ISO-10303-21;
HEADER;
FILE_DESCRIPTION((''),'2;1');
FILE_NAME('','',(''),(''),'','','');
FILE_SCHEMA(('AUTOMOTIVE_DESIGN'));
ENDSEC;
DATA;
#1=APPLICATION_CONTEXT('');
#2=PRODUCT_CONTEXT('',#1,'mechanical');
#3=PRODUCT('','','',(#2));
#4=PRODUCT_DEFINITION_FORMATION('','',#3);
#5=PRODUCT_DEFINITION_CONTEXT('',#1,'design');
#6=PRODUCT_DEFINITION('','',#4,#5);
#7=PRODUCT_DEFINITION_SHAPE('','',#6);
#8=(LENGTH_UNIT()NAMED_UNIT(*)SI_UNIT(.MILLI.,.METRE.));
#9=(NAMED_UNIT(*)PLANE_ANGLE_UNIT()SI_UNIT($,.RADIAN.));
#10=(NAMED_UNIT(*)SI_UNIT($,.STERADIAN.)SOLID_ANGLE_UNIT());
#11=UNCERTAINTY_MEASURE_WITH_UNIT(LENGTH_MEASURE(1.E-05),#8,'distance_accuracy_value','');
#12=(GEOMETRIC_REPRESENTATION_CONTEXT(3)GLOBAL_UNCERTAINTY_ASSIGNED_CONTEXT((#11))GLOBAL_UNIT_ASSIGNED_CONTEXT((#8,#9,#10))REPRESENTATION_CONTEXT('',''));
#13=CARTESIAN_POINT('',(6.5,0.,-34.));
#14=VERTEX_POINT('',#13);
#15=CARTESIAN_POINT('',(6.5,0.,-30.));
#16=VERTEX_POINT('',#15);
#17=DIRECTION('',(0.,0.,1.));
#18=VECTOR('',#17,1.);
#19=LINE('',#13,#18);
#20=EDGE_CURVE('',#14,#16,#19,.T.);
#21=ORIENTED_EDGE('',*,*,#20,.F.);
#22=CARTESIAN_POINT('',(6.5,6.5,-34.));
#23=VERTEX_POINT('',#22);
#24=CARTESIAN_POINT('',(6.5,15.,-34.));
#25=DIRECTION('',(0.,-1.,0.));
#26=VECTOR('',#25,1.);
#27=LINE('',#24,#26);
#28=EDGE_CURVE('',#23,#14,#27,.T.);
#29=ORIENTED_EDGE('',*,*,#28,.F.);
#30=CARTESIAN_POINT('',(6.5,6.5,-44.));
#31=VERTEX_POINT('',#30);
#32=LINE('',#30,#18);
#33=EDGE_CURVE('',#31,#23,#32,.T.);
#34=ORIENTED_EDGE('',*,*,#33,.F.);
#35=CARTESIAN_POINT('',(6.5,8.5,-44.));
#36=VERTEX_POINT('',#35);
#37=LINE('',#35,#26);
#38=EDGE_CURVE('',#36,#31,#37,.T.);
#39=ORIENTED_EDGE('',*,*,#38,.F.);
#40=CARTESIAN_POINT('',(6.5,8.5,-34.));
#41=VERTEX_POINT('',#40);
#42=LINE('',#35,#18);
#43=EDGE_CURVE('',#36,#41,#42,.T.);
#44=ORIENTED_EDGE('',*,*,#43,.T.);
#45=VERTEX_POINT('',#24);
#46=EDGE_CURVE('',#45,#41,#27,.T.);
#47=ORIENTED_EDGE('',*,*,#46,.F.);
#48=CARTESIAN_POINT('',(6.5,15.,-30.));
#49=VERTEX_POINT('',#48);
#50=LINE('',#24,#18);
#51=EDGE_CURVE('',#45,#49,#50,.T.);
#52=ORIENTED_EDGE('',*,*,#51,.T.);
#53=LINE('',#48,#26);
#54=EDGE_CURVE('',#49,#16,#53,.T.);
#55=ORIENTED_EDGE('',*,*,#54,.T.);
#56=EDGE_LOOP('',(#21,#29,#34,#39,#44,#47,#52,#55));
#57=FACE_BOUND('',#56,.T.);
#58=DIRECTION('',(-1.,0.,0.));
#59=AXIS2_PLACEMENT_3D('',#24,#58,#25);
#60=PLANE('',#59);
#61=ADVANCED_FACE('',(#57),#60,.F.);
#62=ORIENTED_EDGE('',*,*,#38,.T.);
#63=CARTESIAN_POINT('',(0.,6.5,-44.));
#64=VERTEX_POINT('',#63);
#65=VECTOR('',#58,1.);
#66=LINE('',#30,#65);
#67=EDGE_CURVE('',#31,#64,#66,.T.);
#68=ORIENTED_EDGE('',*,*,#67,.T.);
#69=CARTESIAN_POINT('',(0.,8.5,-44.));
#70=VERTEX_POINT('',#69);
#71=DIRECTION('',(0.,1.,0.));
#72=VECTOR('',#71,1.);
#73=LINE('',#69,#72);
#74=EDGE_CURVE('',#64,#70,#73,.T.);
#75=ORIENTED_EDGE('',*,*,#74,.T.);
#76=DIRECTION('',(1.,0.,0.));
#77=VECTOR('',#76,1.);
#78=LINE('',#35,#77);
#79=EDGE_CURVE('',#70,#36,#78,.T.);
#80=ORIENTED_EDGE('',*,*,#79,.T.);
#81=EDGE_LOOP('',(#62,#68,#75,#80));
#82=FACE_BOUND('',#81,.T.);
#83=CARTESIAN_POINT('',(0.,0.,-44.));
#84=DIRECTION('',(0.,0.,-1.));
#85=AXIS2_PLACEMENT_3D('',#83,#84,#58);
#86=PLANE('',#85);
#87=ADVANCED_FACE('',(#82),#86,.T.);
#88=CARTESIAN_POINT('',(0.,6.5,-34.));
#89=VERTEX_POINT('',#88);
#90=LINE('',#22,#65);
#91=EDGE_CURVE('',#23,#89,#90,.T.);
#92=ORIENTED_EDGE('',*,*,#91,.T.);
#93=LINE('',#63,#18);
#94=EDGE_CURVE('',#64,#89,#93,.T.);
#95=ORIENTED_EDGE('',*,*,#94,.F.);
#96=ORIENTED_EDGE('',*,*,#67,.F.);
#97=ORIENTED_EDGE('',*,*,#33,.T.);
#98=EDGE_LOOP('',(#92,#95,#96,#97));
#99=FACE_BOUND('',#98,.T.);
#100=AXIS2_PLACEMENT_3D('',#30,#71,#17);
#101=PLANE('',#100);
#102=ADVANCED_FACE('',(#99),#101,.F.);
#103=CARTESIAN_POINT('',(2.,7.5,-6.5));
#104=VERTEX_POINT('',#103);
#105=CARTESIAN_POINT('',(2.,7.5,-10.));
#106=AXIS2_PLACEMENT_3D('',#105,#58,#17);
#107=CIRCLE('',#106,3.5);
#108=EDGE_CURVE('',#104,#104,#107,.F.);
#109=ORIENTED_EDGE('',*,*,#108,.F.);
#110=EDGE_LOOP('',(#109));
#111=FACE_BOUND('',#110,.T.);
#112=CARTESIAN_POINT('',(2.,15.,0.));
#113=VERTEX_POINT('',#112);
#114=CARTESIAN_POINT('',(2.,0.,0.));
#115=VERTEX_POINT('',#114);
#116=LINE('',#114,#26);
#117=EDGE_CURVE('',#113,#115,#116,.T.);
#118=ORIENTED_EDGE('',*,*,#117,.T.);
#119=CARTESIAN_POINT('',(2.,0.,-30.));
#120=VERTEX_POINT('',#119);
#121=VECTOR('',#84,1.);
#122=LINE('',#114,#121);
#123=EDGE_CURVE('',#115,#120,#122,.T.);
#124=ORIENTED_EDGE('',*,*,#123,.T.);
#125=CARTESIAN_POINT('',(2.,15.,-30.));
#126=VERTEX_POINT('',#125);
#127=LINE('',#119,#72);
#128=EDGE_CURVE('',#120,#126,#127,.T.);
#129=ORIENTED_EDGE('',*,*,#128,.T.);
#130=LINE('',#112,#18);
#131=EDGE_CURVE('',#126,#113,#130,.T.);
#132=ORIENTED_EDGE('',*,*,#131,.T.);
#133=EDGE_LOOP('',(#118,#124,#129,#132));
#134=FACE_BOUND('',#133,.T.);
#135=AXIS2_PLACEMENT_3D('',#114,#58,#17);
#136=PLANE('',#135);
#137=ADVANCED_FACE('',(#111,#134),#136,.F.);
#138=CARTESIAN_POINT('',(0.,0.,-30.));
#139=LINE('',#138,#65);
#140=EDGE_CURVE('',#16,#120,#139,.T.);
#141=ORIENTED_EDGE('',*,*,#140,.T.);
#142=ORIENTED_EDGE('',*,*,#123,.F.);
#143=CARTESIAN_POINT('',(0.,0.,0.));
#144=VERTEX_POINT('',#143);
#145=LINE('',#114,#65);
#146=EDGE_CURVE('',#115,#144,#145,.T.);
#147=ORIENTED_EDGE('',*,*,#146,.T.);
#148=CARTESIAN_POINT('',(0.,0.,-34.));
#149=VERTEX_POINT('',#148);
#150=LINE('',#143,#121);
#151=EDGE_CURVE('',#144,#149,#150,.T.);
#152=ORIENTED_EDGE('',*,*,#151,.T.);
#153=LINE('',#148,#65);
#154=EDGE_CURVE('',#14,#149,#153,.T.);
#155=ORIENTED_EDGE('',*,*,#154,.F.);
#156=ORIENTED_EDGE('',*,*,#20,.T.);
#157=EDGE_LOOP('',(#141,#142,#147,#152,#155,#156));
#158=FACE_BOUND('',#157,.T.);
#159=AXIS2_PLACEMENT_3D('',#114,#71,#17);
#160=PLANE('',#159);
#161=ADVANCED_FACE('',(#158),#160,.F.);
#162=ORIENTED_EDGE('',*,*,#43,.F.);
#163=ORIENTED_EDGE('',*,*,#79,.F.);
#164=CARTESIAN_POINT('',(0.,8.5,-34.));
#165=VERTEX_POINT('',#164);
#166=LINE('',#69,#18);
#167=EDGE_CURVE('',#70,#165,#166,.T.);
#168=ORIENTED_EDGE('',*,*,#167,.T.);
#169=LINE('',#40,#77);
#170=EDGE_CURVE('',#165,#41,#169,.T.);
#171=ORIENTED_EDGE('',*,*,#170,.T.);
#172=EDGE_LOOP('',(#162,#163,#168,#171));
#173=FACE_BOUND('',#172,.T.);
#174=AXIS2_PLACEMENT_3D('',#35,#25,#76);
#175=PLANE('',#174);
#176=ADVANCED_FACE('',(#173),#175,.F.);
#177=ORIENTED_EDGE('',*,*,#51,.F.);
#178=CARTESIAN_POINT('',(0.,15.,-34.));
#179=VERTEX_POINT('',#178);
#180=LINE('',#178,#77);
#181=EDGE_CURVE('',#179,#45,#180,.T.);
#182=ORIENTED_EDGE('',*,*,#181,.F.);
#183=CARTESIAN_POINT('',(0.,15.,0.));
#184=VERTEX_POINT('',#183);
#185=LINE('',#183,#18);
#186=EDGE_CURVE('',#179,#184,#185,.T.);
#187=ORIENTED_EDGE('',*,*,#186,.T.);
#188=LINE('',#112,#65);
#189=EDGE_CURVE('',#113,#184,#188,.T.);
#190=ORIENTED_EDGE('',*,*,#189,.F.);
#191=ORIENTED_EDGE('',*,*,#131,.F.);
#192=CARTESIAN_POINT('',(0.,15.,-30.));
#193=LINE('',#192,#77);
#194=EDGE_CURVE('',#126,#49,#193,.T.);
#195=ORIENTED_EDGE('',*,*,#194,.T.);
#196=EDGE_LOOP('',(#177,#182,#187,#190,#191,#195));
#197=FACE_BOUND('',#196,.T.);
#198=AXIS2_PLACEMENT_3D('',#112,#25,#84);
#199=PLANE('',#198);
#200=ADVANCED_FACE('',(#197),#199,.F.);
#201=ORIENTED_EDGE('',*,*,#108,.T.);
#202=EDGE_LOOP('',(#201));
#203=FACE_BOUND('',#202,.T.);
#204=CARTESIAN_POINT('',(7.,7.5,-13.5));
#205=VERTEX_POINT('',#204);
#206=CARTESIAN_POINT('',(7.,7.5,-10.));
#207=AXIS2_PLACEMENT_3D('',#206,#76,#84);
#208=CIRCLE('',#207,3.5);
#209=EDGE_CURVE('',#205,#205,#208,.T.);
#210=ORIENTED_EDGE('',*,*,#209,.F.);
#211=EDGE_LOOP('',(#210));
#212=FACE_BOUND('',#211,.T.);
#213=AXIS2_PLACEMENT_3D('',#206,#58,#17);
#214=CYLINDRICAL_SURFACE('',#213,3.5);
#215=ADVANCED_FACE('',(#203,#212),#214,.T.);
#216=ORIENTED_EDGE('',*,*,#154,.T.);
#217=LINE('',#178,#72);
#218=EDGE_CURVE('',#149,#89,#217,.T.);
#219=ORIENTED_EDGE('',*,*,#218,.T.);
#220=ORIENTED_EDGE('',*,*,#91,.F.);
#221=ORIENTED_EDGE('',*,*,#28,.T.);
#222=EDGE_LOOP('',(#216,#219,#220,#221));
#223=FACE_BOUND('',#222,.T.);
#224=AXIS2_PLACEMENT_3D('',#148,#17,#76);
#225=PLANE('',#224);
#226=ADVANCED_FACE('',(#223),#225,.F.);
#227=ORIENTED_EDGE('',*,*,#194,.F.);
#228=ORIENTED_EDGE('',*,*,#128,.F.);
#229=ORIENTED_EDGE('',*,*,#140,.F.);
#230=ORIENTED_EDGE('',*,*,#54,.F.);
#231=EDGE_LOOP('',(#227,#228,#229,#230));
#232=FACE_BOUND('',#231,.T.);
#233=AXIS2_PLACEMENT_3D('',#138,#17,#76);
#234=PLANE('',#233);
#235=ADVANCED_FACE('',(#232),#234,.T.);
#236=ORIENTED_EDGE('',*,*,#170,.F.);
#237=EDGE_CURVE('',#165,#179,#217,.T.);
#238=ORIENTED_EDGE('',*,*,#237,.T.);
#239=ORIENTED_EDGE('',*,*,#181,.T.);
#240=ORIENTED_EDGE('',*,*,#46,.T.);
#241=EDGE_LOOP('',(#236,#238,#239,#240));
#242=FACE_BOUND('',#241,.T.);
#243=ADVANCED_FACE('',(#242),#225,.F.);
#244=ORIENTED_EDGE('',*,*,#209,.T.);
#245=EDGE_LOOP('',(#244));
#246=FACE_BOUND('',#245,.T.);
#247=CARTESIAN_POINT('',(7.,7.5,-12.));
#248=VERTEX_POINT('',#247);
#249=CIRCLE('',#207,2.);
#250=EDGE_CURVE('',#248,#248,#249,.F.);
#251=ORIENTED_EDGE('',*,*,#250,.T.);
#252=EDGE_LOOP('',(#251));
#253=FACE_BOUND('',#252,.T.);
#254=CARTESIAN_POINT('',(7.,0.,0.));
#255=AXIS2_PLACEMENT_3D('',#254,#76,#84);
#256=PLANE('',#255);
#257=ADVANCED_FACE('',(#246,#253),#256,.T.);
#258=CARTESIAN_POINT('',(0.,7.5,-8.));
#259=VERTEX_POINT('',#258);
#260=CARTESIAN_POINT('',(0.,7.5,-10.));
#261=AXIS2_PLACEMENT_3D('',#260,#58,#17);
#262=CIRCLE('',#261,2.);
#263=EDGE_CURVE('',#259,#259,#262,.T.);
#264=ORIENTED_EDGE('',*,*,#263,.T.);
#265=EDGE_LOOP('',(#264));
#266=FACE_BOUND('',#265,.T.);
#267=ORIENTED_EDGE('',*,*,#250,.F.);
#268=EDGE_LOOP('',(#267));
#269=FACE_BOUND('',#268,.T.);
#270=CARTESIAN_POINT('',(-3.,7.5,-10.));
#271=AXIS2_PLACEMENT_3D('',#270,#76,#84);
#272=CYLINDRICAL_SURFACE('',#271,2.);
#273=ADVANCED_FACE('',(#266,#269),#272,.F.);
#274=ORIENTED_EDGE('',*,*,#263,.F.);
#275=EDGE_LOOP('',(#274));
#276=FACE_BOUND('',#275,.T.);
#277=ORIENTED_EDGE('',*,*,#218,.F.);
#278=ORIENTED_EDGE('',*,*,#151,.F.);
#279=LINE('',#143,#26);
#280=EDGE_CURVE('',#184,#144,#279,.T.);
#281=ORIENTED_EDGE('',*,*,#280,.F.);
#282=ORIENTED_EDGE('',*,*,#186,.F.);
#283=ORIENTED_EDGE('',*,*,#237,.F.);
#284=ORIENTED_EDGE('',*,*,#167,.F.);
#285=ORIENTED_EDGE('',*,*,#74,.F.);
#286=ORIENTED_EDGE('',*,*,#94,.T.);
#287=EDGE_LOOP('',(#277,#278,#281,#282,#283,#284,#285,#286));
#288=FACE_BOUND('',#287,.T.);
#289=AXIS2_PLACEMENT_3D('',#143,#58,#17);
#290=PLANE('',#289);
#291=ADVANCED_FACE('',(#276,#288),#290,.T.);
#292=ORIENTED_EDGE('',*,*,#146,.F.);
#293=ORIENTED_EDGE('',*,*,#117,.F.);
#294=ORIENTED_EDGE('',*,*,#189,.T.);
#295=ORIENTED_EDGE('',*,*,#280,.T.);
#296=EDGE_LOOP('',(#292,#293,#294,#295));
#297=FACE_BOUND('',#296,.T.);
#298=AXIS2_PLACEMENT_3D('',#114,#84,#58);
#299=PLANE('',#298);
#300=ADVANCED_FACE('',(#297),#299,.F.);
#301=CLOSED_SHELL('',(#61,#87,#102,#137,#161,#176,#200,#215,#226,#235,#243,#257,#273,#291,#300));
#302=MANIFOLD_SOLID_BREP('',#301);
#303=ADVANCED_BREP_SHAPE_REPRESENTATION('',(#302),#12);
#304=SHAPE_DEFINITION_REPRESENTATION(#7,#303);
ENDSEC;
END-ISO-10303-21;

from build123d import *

# Parameters (mm, degrees)
SKETCH1_W           = 30
SKETCH1_H           = 15
BOSS_EXTRUDE1_DEPTH = 2
SKETCH2_W           = 6.5
SKETCH2_H           = 15
BOSS_EXTRUDE2_DEPTH = 4
SKETCH3_W           = 6.5
SKETCH3_H           = 2
BOSS_EXTRUDE3_DEPTH = 10
SKETCH4_R           = 2
CUT_EXTRUDE2_DEPTH  = 5
BOSS_EXTRUDE4_START = 5
SKETCH5_R           = 3.5
SKETCH5_R_2         = 2
BOSS_EXTRUDE4_DEPTH = 5


with BuildPart() as part:
    # Sketch1 → Boss-Extrude1 (new body)
    with BuildSketch(Plane(origin=(0, 0, 0), x_dir=(0, 0, -1), z_dir=(1, 0, 0))):
        with Locations((15, 7.5)):
            Rectangle(SKETCH1_W, SKETCH1_H)
    extrude(amount=BOSS_EXTRUDE1_DEPTH)

    # Sketch2 → Boss-Extrude2 (add)
    with BuildSketch(Plane(origin=(0, 0, -30), x_dir=(-1, 0, 0), z_dir=(0, 0, -1))):
        with Locations((-3.25, 7.5)):
            Rectangle(SKETCH2_W, SKETCH2_H)
    extrude(amount=BOSS_EXTRUDE2_DEPTH)

    # Sketch3 → Boss-Extrude3 (add)
    with BuildSketch(Plane(origin=(0, 0, -34), x_dir=(-1, 0, 0), z_dir=(0, 0, -1))):
        with Locations((-3.25, 7.5)):
            Rectangle(SKETCH3_W, SKETCH3_H)
    extrude(amount=BOSS_EXTRUDE3_DEPTH)

    # Sketch4 → Cut-Extrude2 (cut)
    with BuildSketch(Plane(origin=(2, 0, 0), x_dir=(0, 0, -1), z_dir=(1, 0, 0))):
        with Locations((10, 7.5)):
            Circle(SKETCH4_R)
    extrude(amount=-CUT_EXTRUDE2_DEPTH, mode=Mode.SUBTRACT)

    # Sketch5 → Boss-Extrude4 (add)
    with BuildSketch(Plane(origin=(2, 0, 0), x_dir=(0, 0, -1), z_dir=(1, 0, 0)).offset(BOSS_EXTRUDE4_START)):
        with Locations(Location((10, 7.5, 0), (0, 0, 180))):
            Circle(SKETCH5_R)
        with Locations((10, 7.5)):
            Circle(SKETCH5_R_2, mode=Mode.SUBTRACT)
    extrude(amount=-BOSS_EXTRUDE4_DEPTH)


solid = part.part
